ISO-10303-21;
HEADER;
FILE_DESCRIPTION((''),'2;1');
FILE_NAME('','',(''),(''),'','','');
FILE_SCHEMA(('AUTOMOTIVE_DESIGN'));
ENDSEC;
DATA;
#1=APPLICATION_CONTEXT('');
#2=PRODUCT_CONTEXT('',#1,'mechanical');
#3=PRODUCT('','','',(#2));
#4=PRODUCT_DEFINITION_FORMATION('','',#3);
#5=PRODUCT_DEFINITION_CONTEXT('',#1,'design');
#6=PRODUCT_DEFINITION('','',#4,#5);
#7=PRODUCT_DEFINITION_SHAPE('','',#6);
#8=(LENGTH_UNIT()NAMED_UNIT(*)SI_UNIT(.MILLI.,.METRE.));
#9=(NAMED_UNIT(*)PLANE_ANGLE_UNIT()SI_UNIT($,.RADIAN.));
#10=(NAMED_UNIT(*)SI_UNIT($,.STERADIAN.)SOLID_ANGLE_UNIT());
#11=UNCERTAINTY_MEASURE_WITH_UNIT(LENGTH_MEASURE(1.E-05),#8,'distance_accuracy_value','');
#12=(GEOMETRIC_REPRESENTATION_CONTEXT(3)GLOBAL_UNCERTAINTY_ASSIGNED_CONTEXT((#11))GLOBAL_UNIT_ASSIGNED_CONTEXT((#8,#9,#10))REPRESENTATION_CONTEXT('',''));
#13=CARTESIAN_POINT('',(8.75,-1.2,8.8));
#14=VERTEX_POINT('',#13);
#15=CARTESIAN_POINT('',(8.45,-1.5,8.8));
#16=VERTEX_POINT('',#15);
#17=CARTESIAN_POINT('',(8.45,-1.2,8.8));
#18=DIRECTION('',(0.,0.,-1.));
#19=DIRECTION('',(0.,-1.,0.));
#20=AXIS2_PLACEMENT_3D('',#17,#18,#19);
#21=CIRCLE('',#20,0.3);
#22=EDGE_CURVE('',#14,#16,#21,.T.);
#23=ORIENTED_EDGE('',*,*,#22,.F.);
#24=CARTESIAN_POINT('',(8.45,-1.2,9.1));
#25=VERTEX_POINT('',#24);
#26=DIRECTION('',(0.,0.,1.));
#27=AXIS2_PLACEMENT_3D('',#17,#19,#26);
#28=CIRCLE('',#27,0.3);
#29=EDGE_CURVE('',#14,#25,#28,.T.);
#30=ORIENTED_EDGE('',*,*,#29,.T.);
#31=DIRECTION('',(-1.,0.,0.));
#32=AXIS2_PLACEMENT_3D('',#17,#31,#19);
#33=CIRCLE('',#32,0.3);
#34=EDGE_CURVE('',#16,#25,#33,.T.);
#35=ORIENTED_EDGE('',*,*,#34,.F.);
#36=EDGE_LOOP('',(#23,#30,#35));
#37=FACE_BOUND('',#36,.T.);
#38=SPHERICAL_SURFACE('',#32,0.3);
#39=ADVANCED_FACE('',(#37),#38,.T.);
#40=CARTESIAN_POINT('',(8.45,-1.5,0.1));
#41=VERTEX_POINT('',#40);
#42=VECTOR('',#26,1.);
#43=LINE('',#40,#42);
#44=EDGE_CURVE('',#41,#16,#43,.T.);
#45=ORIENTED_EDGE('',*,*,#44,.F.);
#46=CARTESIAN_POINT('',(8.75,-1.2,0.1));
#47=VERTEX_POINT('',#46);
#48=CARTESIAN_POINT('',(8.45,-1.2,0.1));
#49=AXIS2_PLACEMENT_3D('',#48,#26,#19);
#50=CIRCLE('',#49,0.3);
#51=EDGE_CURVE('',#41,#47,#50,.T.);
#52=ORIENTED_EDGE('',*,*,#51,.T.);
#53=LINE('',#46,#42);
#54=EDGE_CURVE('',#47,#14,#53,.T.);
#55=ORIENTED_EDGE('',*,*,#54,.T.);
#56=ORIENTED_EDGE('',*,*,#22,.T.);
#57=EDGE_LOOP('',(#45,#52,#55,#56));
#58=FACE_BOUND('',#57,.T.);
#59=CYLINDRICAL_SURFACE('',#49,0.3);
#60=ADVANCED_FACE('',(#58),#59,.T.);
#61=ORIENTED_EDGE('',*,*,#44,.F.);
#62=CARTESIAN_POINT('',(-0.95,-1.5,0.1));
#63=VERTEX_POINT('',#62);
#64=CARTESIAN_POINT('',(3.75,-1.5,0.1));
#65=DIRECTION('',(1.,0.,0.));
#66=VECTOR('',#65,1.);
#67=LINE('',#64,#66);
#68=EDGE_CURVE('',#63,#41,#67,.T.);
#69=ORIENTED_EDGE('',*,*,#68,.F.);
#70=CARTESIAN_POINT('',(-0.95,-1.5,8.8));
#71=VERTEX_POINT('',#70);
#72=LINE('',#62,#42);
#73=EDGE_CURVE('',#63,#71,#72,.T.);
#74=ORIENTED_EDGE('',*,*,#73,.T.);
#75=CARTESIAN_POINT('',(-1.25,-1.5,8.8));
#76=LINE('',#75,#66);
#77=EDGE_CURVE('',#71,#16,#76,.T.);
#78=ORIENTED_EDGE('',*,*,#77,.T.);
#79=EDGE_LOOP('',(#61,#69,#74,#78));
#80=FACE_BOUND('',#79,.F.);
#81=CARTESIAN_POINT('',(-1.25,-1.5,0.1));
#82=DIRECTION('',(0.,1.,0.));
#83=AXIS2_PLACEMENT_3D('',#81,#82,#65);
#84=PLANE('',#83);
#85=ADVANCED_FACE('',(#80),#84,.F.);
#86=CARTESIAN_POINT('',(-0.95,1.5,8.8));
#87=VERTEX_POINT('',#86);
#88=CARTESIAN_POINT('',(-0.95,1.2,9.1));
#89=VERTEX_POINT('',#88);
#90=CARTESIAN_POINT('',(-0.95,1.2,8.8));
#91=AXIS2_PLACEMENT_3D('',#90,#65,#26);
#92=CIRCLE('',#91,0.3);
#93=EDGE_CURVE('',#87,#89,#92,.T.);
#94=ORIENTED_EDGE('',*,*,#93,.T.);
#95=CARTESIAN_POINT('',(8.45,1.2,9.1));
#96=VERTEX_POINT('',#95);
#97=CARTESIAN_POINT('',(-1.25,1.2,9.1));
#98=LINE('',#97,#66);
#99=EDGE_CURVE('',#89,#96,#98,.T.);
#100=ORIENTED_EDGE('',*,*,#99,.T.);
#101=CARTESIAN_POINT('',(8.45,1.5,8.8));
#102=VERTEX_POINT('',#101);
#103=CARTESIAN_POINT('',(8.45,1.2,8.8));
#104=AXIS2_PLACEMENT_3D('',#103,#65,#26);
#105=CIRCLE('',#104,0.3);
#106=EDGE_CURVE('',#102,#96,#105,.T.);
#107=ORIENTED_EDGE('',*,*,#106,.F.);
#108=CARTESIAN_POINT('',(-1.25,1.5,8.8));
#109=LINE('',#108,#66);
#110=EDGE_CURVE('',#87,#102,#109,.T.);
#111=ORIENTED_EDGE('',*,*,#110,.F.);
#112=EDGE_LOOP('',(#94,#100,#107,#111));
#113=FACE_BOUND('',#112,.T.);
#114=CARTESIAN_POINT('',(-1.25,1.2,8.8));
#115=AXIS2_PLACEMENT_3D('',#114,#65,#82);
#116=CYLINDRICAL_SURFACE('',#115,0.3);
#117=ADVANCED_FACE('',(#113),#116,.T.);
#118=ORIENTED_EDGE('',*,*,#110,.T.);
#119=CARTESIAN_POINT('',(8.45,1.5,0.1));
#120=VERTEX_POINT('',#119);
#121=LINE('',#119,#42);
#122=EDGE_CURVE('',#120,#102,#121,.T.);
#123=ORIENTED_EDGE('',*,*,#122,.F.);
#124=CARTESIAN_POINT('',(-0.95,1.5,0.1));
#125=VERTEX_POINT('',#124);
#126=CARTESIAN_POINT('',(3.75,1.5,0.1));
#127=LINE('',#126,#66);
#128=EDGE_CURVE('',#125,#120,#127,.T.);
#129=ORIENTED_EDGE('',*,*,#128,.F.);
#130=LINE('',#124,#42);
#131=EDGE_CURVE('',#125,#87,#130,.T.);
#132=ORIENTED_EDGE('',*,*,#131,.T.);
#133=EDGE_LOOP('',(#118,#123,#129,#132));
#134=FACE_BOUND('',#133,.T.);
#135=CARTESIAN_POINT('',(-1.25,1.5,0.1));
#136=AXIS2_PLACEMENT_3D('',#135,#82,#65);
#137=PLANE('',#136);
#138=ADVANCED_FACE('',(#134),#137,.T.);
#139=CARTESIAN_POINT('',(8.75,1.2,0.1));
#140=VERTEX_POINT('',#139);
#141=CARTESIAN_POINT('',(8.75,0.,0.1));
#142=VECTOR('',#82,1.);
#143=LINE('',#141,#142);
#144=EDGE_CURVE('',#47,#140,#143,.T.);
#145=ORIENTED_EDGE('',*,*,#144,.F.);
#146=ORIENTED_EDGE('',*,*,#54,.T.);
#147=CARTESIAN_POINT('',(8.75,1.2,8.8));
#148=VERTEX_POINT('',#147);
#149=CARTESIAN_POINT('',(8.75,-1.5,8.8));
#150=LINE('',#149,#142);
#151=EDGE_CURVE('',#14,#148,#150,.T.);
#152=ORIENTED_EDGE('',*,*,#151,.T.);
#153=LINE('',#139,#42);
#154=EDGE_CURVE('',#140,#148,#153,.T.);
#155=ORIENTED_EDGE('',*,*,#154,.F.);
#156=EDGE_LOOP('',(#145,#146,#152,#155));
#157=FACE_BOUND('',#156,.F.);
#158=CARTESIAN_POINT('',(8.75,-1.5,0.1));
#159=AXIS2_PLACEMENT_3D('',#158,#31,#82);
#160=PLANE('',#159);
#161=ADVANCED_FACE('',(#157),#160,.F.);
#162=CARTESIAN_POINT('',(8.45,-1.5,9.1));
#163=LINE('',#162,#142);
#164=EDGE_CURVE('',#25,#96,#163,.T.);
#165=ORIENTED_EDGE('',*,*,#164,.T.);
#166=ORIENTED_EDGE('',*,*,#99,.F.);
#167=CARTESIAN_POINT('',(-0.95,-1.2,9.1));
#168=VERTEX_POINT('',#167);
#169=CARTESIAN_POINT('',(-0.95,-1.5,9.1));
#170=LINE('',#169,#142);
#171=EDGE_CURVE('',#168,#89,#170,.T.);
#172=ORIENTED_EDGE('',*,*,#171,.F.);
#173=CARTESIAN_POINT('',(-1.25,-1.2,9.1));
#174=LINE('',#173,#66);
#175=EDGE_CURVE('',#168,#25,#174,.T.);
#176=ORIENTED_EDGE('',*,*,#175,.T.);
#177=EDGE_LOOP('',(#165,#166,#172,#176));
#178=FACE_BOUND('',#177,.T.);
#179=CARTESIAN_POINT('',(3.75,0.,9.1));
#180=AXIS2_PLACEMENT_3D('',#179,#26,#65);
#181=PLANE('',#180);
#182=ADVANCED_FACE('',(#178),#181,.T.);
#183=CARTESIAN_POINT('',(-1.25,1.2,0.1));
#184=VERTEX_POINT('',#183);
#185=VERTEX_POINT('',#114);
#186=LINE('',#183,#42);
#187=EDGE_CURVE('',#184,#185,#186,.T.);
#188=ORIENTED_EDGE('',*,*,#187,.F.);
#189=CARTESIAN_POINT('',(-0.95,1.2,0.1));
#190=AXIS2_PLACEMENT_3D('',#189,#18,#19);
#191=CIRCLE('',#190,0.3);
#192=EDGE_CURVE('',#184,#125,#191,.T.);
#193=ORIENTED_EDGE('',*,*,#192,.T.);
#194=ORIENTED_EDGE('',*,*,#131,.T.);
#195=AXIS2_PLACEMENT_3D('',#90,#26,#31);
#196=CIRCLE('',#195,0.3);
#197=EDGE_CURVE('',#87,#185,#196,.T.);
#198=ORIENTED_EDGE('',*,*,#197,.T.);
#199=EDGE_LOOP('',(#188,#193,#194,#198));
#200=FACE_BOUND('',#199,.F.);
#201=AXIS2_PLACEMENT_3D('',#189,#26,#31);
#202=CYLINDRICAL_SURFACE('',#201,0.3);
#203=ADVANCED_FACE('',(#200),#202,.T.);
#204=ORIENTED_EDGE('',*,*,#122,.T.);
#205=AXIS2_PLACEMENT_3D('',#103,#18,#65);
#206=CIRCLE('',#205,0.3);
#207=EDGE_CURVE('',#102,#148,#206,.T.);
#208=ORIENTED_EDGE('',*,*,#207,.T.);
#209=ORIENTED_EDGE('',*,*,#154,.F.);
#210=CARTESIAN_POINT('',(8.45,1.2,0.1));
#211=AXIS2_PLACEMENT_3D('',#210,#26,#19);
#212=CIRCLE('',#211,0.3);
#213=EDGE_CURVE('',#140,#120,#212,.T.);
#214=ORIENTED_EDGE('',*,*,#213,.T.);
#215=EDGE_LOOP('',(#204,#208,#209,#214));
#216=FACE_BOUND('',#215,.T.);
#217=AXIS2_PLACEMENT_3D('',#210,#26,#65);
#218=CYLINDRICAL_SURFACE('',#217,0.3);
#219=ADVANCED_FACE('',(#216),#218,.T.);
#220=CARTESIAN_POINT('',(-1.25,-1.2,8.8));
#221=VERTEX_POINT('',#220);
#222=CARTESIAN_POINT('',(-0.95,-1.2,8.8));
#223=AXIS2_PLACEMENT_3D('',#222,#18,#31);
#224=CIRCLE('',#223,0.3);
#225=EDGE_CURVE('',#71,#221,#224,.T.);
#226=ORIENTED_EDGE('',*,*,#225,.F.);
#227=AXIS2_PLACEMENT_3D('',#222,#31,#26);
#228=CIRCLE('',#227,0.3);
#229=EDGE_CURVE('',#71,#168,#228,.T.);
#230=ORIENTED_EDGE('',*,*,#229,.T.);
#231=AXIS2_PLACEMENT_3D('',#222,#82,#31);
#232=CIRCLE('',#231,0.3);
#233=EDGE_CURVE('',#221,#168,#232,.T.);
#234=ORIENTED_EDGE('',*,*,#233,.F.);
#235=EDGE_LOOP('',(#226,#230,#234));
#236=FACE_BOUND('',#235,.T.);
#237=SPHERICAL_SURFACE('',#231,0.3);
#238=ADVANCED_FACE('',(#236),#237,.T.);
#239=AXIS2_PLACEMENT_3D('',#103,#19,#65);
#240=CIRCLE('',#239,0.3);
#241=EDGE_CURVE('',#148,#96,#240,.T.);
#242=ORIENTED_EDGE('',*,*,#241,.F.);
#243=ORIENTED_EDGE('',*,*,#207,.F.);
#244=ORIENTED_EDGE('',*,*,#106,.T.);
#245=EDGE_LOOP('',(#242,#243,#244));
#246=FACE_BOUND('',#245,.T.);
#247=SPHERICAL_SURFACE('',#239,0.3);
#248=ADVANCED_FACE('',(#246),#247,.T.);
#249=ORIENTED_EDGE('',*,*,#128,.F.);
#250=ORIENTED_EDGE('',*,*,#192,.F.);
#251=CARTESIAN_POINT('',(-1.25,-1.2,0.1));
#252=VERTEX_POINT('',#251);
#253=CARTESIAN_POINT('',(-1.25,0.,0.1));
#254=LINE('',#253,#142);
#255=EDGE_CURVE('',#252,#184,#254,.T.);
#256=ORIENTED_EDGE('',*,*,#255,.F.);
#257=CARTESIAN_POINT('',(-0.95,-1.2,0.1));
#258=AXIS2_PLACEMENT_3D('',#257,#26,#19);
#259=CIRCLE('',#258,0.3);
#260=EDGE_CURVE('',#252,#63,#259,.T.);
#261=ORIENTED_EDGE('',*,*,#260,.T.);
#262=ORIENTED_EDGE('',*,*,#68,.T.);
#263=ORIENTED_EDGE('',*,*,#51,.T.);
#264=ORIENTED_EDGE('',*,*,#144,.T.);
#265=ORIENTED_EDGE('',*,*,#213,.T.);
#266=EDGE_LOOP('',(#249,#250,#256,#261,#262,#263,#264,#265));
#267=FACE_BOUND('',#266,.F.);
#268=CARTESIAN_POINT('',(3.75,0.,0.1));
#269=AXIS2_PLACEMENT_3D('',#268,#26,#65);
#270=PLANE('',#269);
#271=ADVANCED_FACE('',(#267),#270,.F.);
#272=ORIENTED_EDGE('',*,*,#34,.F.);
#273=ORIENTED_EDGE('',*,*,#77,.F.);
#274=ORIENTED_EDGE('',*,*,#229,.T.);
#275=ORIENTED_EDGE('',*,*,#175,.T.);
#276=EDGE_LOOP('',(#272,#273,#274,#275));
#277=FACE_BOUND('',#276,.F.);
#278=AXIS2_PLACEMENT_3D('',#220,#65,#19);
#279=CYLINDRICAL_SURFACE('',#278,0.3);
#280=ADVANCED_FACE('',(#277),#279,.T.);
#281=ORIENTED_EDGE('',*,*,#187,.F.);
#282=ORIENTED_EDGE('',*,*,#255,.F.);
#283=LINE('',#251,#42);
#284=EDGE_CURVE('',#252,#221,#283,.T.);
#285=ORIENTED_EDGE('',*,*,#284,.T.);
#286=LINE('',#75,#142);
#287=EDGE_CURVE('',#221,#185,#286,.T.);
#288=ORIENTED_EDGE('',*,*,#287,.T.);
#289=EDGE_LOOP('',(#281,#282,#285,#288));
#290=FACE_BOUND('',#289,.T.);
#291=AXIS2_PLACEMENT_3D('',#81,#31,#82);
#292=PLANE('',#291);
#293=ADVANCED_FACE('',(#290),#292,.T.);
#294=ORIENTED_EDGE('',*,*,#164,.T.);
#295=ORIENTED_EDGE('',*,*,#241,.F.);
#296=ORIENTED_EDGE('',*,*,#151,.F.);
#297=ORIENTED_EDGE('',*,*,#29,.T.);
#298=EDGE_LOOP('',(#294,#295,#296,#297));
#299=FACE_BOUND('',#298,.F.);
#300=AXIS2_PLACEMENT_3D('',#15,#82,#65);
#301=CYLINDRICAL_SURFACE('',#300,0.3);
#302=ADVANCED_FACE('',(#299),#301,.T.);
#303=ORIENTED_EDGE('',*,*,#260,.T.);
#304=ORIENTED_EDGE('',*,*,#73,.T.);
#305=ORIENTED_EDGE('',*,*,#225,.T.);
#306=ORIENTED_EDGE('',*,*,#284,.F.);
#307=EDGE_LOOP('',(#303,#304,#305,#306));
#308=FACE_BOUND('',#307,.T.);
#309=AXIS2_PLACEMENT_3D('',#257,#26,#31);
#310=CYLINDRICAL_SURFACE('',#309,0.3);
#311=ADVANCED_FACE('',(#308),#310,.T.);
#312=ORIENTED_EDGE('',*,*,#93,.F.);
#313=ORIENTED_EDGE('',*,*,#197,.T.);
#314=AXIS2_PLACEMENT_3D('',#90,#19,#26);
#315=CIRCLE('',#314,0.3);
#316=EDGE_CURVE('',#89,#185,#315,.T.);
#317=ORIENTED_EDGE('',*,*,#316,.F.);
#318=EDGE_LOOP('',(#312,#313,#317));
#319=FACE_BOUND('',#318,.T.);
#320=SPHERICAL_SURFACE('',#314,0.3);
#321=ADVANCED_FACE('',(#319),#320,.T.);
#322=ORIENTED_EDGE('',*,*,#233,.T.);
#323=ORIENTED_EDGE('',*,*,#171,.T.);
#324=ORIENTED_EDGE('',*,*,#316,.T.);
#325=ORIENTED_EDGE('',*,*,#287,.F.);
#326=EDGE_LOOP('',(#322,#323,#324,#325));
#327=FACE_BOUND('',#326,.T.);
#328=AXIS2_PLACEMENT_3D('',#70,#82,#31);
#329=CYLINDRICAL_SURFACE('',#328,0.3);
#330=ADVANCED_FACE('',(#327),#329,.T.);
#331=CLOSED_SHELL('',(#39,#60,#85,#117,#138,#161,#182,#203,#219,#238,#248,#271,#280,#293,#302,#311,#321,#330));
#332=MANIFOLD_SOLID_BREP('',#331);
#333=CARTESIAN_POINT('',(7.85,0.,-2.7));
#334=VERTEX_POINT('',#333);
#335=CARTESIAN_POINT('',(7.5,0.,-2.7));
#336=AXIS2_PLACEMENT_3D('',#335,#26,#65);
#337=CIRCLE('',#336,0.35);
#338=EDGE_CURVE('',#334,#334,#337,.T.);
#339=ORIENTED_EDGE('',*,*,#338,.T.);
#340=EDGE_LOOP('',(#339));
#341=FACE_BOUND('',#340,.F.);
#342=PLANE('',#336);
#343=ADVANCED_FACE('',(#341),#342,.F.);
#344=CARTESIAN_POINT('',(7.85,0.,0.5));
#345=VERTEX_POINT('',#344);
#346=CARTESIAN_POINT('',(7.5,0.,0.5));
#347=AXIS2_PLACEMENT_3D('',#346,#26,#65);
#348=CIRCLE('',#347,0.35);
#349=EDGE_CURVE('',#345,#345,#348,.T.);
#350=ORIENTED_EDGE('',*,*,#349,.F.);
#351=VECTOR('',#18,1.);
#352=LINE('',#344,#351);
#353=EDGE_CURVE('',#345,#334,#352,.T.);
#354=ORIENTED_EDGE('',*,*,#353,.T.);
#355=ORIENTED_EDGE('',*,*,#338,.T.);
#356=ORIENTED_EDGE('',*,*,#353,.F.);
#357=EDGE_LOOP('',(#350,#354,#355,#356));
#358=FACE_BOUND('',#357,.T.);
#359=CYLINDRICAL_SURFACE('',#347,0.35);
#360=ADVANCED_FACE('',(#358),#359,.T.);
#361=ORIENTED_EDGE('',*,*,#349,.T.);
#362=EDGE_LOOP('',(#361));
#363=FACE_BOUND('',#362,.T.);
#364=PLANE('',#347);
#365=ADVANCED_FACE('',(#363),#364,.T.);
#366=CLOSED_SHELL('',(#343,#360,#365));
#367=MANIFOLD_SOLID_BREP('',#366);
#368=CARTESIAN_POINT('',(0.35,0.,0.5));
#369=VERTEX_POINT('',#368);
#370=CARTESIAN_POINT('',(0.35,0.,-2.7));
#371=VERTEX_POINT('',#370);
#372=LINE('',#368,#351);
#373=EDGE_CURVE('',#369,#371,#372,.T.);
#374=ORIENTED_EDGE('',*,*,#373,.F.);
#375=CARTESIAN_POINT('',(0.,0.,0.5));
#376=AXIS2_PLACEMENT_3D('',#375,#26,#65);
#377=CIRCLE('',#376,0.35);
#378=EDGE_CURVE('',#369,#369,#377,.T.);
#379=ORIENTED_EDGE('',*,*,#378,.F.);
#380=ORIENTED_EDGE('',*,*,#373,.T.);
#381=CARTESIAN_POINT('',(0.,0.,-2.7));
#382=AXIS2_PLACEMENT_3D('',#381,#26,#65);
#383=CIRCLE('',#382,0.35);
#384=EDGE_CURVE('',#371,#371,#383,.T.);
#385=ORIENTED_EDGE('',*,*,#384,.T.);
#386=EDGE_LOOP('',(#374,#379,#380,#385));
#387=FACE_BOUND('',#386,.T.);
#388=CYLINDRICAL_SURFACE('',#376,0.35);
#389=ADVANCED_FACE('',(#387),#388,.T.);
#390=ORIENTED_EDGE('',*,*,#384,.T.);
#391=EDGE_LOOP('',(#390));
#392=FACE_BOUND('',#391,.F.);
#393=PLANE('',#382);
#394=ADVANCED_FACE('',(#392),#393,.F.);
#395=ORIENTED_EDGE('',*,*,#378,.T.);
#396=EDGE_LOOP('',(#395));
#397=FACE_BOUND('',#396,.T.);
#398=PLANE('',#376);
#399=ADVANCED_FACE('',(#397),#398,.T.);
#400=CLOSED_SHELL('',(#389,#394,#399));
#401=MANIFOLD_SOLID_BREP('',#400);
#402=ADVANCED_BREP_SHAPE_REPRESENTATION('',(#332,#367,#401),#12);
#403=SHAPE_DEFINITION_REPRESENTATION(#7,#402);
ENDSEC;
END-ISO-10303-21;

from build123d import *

# Parameters (mm, degrees)
SKETCH_W     = 10
SKETCH_H     = 3
PAD_DEPTH    = 9
FILLET_R     = 0.3
SKETCH001_R  = 0.35
PAD001_DEPTH = 3.2


with BuildPart() as fillet_body:
    # Sketch → Pad (new body)
    with BuildSketch(Plane.XY.offset(0.1)):
        with Locations((3.75, 0)):
            Rectangle(SKETCH_W, SKETCH_H)
    extrude(amount=PAD_DEPTH)

    # Fillet
    fillet_edges = [fillet_body.edges().sort_by_distance(p)[0] for p in [
        (-1.25, 0, 9.1),
        (-1.25, -1.5, 4.6),
        (3.75, -1.5, 9.1),
        (8.75, -1.5, 4.6),
        (8.75, 0, 9.1),
        (8.75, 1.5, 4.6),
        (3.75, 1.5, 9.1),
        (-1.25, 1.5, 4.6),
    ]]
    fillet(fillet_edges, radius=FILLET_R)


with BuildPart() as pad001:
    # Sketch001 → Pad001 (new body)
    with BuildSketch(Plane.XY.offset(0.5)):
        Circle(SKETCH001_R)
        with Locations((7.5, 0)):
            Circle(SKETCH001_R)
    extrude(amount=-PAD001_DEPTH)


solid = Compound([fillet_body.part, pad001.part])
